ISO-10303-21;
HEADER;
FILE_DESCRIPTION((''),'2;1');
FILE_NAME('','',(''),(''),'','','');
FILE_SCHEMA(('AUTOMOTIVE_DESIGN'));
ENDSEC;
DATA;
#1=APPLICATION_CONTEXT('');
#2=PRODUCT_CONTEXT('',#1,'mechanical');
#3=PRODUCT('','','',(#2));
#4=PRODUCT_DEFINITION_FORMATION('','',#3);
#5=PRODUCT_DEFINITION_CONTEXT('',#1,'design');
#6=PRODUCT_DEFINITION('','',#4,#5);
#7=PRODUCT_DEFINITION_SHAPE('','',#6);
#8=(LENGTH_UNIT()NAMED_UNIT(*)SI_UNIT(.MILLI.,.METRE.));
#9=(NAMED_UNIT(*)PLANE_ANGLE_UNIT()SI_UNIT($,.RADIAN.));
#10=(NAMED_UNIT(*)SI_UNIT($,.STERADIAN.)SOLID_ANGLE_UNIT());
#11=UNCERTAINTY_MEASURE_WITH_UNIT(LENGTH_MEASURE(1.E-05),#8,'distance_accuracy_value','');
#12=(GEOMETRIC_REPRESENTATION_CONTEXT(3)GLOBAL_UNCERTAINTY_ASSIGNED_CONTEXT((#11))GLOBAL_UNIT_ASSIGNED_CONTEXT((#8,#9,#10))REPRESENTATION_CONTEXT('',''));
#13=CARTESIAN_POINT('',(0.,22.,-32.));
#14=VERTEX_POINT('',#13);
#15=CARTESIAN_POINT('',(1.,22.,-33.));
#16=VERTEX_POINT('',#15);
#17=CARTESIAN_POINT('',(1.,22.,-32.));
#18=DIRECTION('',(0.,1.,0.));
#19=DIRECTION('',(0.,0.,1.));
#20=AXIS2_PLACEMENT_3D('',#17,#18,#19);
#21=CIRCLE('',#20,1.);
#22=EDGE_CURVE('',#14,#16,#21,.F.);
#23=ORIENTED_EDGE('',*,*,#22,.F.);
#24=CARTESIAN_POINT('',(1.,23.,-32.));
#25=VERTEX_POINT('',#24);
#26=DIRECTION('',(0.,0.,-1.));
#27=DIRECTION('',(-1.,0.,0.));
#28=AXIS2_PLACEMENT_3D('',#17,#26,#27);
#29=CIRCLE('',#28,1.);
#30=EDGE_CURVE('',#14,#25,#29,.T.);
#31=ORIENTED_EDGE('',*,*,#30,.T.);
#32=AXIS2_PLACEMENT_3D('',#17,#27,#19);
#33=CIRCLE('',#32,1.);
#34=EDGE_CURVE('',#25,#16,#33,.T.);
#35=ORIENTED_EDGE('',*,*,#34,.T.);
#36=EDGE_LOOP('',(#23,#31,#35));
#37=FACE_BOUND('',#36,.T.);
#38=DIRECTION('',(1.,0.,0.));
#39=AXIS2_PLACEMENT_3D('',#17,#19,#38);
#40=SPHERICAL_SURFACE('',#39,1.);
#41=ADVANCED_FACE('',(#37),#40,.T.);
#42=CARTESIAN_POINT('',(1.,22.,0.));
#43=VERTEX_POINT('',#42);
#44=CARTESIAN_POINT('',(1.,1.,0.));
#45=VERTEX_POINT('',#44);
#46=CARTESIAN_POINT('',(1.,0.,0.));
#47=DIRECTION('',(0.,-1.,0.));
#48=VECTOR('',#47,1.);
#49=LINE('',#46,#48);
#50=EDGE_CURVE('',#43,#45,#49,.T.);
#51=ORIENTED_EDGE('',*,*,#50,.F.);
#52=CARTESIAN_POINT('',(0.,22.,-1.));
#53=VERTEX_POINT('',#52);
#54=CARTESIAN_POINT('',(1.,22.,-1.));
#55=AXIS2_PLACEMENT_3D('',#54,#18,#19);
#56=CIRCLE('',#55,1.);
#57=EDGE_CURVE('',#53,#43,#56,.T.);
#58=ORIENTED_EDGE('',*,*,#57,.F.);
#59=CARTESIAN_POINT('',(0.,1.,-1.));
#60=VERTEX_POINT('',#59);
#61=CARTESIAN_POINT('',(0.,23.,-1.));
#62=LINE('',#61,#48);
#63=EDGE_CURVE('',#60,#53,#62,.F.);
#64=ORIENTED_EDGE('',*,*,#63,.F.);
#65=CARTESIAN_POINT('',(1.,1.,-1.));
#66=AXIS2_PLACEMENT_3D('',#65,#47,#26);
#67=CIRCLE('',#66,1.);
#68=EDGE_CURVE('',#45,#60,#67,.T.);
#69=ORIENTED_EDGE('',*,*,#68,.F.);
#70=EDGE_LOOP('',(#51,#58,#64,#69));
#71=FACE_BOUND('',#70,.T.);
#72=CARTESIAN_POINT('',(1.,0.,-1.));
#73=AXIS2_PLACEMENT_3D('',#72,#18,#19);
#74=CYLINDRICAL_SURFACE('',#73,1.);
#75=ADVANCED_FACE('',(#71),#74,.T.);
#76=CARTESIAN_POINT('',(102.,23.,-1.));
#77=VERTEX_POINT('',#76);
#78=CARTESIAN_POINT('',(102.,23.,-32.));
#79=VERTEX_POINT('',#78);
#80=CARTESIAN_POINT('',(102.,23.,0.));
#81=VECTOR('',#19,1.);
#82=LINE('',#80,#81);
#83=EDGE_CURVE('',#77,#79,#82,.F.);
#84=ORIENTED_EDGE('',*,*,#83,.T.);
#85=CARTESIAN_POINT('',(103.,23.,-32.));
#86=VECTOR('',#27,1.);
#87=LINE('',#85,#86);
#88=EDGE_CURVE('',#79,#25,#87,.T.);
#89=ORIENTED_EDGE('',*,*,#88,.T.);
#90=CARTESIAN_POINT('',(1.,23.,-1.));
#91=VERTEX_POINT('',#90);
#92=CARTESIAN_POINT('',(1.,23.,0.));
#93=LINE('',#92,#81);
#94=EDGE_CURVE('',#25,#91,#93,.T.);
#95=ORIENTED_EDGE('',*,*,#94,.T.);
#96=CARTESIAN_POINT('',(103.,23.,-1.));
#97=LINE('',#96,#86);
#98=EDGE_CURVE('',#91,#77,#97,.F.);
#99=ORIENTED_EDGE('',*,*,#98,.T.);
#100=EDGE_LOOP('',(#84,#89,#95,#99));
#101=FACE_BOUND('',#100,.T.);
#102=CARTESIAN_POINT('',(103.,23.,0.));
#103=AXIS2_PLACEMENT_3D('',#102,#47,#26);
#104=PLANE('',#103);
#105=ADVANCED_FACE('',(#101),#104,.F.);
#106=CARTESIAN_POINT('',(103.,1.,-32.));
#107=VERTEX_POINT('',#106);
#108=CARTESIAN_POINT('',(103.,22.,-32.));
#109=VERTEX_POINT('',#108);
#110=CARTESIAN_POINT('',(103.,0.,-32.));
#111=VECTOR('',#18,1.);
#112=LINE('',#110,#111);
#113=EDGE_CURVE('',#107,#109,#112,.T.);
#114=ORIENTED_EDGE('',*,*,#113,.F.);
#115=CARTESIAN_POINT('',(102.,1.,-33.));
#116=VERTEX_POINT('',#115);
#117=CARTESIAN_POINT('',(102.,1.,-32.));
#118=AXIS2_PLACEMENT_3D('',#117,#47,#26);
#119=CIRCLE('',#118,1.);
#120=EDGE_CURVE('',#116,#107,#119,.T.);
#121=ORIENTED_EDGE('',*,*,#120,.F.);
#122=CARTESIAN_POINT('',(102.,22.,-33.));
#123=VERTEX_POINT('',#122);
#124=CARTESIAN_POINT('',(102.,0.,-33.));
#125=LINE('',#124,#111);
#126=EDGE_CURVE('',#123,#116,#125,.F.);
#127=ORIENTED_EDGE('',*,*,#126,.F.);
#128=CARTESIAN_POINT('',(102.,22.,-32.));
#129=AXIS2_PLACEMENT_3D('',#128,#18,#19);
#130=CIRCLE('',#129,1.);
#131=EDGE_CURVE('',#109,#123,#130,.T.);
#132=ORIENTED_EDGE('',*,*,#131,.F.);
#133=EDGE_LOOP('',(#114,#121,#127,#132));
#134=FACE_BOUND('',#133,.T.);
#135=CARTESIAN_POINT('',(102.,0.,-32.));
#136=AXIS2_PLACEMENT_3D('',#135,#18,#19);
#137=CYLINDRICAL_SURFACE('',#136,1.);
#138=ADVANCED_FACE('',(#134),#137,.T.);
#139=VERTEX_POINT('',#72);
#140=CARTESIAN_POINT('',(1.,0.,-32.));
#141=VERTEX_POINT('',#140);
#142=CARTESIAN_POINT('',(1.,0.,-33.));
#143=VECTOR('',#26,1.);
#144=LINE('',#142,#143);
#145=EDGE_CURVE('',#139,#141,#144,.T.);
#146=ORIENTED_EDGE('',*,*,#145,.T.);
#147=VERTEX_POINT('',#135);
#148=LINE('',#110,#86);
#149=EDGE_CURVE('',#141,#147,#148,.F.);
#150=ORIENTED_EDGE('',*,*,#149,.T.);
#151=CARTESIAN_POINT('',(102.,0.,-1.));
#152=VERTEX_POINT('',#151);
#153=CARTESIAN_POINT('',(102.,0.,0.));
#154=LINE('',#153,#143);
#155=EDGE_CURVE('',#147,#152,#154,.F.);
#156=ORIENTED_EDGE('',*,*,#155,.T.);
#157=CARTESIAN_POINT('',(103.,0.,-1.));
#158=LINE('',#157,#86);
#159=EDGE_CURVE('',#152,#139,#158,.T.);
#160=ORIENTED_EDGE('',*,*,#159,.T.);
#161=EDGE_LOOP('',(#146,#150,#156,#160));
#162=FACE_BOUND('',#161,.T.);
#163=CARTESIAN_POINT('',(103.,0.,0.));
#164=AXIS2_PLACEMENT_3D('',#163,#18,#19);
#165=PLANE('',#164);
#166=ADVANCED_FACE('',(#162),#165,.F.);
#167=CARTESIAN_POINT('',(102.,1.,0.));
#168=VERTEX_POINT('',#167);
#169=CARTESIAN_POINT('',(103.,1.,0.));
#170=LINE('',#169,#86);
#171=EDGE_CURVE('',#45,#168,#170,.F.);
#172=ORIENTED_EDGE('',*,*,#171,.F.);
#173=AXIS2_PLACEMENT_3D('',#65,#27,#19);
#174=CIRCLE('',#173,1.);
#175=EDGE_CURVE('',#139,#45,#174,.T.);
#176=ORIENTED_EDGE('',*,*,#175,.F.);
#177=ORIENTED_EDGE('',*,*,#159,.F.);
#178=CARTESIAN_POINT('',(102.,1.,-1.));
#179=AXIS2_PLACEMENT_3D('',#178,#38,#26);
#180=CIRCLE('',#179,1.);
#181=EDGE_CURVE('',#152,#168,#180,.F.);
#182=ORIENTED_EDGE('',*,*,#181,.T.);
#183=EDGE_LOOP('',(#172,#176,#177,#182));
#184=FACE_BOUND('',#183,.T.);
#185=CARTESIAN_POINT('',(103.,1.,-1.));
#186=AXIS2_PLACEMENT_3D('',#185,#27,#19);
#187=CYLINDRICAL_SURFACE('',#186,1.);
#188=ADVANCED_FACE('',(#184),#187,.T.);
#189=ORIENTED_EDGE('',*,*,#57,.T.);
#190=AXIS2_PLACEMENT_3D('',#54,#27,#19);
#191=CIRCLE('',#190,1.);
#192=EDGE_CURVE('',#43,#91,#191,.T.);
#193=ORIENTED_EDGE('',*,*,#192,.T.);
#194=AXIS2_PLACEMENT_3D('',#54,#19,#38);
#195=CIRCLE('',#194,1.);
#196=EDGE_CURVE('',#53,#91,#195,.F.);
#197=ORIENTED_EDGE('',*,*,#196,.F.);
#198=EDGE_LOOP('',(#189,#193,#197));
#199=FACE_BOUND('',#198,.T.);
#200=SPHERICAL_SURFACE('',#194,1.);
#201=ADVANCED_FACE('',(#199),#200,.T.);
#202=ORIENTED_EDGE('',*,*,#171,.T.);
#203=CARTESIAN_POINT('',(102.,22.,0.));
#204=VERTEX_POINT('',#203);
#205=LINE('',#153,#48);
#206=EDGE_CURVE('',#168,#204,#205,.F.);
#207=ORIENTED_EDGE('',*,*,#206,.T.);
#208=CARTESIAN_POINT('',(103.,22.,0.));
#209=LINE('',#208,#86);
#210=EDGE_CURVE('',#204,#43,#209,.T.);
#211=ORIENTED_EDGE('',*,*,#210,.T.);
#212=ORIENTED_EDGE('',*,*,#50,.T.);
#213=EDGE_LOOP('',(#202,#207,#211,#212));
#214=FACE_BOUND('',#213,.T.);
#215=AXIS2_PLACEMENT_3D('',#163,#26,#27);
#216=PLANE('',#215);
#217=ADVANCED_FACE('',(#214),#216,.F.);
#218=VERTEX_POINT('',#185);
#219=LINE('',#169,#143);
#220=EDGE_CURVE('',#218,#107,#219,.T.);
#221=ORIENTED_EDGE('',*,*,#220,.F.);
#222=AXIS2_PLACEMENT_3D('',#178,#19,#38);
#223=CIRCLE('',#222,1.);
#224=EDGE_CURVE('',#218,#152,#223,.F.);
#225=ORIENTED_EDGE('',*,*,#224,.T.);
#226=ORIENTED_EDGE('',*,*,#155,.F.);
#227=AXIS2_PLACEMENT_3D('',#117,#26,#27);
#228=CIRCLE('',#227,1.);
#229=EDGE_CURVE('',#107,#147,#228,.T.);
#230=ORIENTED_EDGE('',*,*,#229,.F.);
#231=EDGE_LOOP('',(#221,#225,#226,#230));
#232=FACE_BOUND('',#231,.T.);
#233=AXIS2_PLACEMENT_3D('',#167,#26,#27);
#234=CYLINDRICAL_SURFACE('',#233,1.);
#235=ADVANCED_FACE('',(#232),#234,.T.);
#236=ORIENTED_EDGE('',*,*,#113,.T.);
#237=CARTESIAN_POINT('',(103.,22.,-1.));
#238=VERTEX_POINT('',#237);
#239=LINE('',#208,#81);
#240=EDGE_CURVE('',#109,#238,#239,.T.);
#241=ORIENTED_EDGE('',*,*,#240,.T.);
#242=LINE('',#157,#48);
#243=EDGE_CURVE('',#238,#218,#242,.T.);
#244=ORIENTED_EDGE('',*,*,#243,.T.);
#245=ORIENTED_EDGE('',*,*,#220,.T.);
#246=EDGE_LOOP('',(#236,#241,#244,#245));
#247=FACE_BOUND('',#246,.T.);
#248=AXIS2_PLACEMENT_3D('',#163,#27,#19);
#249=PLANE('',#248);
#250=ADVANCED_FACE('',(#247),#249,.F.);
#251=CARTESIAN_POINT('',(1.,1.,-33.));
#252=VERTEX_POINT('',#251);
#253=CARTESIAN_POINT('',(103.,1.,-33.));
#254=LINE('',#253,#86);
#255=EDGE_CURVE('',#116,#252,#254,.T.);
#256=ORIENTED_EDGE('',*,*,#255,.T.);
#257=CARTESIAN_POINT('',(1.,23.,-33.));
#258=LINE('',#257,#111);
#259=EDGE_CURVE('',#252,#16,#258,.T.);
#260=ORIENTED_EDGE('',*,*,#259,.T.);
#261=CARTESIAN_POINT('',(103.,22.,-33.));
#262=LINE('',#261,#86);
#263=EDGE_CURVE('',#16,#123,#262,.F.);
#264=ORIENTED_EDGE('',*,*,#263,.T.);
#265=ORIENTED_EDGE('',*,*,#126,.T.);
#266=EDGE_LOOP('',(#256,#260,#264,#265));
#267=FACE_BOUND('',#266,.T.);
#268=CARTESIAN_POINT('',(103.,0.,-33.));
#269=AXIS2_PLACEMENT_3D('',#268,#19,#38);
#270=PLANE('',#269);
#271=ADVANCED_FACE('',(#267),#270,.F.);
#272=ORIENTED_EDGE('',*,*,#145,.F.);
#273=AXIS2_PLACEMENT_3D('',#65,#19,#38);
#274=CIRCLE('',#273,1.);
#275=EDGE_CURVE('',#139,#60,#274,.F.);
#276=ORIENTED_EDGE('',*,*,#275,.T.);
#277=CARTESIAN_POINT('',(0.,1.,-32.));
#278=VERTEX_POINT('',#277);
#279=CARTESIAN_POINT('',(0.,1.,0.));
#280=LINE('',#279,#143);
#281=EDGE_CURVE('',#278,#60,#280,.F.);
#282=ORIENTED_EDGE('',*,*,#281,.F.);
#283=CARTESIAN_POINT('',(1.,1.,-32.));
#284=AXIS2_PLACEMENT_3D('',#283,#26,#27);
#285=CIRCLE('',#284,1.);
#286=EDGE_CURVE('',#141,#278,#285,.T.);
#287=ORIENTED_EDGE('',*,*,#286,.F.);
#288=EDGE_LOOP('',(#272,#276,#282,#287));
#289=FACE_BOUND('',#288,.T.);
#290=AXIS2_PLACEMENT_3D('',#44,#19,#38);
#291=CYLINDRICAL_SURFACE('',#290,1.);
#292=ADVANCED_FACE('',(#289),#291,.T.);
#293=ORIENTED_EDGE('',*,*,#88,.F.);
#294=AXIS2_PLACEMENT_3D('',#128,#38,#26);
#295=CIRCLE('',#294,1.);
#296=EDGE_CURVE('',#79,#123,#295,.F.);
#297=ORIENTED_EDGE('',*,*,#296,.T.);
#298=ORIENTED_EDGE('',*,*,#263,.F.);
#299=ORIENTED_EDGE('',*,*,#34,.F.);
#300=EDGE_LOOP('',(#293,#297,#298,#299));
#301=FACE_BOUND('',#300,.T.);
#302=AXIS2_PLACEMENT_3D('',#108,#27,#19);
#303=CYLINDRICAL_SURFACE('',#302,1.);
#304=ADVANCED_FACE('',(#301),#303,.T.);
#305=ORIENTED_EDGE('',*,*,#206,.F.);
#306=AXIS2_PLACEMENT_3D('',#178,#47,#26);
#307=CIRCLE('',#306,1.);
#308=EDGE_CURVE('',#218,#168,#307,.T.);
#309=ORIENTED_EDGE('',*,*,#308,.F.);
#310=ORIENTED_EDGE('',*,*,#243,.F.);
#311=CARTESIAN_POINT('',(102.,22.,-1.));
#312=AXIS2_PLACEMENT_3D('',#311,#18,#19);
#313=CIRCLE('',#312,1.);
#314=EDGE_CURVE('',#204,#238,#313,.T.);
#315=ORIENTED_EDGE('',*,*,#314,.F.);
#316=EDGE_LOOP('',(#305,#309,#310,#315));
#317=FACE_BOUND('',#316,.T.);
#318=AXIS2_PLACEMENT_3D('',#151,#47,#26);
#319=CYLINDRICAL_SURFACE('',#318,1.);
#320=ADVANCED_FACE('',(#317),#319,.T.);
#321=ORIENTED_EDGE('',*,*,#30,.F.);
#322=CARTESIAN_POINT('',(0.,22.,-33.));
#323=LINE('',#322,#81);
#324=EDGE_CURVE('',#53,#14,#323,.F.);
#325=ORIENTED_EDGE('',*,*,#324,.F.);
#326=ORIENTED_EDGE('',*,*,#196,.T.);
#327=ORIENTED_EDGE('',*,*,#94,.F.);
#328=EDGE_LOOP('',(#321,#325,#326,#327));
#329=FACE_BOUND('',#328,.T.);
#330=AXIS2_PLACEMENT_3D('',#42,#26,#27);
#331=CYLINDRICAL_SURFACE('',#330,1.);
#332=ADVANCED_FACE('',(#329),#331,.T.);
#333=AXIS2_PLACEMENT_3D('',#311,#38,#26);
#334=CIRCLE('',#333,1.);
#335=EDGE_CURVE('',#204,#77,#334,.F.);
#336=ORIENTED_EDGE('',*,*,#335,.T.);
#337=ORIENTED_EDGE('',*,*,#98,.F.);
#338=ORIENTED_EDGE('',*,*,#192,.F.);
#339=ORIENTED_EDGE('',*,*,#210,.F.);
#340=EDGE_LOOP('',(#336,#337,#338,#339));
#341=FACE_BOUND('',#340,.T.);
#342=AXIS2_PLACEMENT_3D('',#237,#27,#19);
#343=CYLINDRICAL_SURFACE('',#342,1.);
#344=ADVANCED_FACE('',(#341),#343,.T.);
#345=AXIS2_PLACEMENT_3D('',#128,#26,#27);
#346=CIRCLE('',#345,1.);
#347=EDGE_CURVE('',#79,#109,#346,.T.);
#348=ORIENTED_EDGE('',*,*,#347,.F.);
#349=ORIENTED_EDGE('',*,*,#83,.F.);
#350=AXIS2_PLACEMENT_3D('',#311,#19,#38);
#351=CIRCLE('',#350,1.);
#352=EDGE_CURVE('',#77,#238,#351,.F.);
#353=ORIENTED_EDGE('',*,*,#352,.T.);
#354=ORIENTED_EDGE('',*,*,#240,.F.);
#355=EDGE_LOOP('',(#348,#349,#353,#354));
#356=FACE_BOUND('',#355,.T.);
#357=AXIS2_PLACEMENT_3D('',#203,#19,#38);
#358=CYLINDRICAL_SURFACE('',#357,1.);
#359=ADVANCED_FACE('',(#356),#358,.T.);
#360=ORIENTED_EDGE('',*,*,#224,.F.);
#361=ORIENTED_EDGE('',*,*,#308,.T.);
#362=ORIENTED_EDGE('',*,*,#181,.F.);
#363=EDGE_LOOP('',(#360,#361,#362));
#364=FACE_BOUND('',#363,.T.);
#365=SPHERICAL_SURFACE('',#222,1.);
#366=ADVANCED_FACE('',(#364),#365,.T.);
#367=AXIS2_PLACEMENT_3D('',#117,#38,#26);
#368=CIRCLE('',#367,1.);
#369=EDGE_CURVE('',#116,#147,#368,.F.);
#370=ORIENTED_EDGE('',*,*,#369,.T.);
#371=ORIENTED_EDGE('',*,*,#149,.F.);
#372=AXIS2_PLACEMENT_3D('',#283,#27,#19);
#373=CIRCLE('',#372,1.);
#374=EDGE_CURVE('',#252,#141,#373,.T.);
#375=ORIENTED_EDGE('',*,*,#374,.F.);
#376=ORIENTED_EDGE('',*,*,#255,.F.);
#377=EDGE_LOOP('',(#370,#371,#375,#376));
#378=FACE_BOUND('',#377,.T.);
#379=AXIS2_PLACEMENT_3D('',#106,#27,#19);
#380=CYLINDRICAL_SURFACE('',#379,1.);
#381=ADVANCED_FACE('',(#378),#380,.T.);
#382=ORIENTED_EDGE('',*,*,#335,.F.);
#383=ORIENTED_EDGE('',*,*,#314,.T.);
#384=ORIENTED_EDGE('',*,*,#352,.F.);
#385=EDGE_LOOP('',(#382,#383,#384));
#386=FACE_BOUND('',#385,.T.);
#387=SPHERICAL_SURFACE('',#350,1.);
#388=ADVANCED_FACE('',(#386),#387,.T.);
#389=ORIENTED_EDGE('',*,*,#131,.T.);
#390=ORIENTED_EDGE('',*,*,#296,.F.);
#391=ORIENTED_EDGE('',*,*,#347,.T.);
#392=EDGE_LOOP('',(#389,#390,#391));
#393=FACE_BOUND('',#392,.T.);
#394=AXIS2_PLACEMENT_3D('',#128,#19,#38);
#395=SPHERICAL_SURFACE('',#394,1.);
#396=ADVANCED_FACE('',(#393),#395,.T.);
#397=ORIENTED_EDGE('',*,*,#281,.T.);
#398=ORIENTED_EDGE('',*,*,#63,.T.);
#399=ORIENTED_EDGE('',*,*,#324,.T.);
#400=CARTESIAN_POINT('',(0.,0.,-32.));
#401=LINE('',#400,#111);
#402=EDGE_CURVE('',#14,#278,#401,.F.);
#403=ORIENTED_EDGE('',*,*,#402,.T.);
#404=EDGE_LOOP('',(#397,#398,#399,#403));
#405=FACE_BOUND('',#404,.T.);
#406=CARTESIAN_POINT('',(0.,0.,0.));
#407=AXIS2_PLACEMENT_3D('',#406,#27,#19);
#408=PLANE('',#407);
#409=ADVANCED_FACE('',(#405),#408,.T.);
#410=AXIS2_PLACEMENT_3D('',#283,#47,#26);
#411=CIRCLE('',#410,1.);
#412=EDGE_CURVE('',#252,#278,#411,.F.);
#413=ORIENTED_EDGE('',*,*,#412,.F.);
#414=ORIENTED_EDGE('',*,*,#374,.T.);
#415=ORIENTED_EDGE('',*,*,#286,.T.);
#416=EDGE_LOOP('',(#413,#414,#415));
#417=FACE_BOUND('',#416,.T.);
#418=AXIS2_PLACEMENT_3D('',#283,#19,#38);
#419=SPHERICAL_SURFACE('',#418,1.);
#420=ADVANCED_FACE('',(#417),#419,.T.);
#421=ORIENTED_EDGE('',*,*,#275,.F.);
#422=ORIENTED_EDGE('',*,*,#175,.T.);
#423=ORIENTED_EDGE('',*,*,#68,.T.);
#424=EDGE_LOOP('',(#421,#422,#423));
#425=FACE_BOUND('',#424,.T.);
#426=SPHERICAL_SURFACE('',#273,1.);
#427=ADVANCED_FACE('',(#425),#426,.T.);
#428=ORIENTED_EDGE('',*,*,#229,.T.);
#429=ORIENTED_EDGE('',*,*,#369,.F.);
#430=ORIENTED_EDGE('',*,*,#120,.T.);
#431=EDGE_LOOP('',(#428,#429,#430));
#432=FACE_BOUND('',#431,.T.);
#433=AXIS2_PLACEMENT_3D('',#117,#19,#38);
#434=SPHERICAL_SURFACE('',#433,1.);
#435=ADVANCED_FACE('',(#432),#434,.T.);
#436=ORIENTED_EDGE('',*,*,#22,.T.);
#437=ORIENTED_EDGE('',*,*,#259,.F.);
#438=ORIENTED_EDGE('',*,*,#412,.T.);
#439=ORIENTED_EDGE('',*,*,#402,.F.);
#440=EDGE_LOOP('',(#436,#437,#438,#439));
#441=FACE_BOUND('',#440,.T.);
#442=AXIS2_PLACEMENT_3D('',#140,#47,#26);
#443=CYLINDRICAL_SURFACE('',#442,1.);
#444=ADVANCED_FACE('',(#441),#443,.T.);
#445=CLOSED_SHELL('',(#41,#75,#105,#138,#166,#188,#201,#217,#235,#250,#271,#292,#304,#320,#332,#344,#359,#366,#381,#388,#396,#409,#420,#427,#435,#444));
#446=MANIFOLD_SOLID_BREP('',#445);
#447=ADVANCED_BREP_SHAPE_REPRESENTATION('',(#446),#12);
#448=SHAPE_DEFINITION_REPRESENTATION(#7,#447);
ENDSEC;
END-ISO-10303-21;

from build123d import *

# Parameters (mm, degrees)
SKETCH1_W           = 33
SKETCH1_H           = 23
BOSS_EXTRUDE1_DEPTH = 103
FILLET1_R           = 1


with BuildPart() as part:
    # Sketch1 → Boss-Extrude1 (new body)
    with BuildSketch(Plane(origin=(0, 0, 0), x_dir=(0, 0, -1), z_dir=(1, 0, 0))):
        with Locations((16.5, 11.5)):
            Rectangle(SKETCH1_W, SKETCH1_H)
    extrude(amount=BOSS_EXTRUDE1_DEPTH)

    # Fillet1
    fillet1_edges = [part.edges().sort_by_distance(p)[0] for p in [
        (103, 11.5, -33),
        (103, 23, -16.5),
        (103, 11.5, 0),
        (0, 23, -16.5),
        (0, 11.5, -33),
        (0, 0, -16.5),
        (0, 11.5, 0),
        (103, 0, -16.5),
        (51.5, 23, 0),
        (51.5, 23, -33),
        (51.5, 0, -33),
        (51.5, 0, 0),
    ]]
    fillet(fillet1_edges, radius=FILLET1_R)


solid = part.part
